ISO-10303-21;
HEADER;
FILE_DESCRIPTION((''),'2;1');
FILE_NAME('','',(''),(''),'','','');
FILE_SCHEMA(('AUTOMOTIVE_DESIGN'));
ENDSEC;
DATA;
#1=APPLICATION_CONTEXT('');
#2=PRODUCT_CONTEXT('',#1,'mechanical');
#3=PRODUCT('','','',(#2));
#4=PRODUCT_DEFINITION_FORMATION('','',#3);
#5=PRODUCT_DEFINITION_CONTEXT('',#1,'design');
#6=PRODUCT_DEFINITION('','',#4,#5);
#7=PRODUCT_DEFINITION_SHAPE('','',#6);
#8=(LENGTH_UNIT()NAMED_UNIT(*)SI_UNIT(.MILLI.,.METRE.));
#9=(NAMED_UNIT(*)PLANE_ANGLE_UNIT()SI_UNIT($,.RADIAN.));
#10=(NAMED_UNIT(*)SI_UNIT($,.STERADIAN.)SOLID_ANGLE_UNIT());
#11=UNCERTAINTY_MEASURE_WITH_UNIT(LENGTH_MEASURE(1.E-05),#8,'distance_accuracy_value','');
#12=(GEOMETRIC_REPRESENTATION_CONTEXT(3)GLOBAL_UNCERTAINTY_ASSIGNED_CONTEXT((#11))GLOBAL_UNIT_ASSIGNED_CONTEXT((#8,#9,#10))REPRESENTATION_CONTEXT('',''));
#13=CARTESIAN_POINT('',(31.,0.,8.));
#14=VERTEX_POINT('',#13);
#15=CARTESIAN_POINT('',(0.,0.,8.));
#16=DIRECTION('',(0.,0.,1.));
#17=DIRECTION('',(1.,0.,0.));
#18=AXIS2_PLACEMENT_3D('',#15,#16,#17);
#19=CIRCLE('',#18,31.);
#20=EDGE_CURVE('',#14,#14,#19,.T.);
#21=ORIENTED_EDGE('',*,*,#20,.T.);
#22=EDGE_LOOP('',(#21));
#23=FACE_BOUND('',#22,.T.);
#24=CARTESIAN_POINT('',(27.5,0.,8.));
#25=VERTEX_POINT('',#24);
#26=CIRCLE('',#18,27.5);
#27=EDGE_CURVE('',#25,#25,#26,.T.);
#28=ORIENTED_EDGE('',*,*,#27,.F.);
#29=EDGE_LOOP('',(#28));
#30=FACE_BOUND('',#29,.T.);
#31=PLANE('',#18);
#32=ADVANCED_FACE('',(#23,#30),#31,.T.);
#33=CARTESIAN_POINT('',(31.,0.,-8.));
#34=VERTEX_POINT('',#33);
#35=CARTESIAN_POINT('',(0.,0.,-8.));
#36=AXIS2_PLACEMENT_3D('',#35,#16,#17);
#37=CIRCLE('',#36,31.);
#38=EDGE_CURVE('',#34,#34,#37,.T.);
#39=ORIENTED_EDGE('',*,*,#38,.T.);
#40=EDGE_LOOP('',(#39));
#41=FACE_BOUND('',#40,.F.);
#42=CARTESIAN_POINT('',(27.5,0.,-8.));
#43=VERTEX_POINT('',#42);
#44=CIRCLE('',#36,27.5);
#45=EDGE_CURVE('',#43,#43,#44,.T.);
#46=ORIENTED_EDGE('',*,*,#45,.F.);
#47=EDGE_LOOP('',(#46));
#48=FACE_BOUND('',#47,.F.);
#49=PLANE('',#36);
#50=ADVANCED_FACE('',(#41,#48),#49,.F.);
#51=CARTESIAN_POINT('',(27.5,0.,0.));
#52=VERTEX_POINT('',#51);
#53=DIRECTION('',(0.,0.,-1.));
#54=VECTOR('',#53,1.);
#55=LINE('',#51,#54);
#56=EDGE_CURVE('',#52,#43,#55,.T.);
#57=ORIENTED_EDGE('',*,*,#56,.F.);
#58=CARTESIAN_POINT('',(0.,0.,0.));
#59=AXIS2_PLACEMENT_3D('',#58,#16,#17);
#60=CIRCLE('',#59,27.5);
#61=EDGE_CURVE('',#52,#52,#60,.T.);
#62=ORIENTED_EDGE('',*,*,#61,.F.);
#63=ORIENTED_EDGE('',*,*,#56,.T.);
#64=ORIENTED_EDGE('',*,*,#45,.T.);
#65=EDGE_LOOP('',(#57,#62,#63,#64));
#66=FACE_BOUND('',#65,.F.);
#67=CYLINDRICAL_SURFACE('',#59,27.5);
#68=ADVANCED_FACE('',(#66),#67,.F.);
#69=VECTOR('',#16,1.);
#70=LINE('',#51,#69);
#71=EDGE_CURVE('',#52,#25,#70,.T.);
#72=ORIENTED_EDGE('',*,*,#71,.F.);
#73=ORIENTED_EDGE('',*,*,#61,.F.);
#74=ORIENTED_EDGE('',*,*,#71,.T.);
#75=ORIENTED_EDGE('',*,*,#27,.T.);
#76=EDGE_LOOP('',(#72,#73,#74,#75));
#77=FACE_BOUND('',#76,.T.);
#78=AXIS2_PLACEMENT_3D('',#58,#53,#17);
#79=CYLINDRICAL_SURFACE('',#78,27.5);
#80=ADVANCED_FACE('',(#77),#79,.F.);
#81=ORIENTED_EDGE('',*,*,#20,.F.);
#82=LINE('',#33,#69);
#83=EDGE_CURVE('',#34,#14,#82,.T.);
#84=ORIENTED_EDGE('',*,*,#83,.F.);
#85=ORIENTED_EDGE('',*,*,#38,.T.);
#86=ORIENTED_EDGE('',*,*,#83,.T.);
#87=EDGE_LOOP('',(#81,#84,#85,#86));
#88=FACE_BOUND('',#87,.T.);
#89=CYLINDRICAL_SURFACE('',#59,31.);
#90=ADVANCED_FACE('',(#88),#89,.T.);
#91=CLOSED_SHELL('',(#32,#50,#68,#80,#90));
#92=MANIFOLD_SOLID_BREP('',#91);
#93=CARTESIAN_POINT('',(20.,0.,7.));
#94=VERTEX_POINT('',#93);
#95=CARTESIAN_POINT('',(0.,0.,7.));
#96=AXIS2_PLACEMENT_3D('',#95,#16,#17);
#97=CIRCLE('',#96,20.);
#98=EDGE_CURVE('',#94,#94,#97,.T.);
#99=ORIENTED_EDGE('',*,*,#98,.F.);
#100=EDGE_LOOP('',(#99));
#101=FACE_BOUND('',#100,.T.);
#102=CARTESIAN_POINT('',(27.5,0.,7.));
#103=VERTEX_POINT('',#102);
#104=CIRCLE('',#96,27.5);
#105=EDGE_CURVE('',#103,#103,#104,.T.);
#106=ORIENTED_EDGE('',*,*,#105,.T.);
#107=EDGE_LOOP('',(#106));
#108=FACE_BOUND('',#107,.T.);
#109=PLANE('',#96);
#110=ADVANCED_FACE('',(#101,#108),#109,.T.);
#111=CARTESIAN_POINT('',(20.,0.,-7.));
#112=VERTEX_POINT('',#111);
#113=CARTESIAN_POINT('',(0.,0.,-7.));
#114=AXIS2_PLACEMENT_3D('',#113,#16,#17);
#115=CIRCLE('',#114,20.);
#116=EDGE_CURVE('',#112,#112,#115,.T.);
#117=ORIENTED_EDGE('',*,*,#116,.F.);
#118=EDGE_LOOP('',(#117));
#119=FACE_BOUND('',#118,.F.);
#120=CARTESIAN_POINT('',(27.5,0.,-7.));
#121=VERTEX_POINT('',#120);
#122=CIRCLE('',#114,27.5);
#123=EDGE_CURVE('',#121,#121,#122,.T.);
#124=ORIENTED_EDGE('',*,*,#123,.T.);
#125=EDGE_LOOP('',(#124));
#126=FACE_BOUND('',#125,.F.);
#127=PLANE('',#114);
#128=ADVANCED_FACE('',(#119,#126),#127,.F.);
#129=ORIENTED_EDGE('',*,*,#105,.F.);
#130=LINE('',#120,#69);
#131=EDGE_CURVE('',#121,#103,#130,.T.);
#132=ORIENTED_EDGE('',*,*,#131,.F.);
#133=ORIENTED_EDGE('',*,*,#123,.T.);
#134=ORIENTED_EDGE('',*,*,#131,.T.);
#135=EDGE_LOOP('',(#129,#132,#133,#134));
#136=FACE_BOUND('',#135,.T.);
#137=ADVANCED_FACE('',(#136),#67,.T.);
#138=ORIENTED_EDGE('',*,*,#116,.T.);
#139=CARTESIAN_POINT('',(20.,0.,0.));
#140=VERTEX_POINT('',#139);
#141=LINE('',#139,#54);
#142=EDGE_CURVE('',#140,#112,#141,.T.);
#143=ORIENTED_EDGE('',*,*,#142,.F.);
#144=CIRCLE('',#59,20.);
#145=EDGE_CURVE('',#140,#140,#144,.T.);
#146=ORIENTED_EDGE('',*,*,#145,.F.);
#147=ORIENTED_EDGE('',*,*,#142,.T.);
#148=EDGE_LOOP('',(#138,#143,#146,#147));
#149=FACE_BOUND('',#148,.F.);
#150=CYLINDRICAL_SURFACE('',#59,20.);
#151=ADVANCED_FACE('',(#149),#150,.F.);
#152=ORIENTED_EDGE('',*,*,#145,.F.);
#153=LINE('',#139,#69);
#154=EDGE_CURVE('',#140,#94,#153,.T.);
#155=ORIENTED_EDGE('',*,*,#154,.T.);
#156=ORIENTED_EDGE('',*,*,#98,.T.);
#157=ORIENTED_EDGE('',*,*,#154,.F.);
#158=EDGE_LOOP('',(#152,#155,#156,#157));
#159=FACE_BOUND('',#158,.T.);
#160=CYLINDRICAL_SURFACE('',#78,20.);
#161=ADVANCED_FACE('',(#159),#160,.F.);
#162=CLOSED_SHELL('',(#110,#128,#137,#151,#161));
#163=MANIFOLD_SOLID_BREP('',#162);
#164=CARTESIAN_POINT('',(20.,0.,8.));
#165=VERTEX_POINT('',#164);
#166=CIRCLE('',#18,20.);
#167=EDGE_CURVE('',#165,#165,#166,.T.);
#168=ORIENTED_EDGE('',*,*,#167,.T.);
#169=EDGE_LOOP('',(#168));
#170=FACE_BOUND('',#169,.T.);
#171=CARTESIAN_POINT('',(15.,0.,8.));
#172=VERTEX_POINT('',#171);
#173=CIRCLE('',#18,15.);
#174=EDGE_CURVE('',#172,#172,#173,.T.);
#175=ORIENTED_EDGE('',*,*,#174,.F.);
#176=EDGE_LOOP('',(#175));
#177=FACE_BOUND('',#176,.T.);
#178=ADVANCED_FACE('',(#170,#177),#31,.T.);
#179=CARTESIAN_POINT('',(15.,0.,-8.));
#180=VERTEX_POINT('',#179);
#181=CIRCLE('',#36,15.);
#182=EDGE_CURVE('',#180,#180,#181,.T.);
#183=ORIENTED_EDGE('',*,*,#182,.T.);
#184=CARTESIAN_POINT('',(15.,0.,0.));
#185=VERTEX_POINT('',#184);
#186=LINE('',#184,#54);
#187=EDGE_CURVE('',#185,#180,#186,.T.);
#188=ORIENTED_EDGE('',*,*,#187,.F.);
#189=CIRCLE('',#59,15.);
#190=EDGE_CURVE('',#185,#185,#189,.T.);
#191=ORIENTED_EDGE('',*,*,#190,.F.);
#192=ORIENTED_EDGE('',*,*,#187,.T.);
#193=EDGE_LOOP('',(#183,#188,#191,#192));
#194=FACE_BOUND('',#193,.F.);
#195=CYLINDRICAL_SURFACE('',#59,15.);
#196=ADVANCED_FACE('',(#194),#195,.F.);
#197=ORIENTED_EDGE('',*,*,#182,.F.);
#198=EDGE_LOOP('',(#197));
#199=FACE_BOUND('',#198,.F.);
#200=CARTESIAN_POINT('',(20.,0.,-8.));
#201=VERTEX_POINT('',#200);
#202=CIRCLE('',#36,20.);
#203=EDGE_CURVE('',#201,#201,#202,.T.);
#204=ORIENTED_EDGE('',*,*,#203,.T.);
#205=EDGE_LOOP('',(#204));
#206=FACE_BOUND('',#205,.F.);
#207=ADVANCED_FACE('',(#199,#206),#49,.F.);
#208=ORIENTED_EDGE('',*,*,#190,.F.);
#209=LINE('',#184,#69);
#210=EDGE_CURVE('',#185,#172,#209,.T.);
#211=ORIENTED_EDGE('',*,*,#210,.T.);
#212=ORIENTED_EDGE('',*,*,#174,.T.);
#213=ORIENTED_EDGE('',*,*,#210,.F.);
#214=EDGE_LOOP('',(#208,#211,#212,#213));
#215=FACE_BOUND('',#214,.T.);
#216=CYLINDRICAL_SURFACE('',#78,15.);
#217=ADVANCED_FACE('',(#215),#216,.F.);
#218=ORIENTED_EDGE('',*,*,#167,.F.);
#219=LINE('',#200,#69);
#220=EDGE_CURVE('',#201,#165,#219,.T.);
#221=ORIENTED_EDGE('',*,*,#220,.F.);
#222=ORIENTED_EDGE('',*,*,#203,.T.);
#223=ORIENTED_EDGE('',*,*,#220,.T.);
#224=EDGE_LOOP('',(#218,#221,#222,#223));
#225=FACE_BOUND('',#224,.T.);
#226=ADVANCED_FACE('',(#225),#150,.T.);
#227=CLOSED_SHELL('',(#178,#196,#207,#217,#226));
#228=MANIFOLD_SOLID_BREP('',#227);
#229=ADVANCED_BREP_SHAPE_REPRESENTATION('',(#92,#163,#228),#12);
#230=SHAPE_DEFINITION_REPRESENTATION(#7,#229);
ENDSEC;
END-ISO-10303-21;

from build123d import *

# Parameters (mm, degrees)
F0_R          = 20
F0_R_2        = 15
F1_DEPTH      = 8
F1_DEPTH_BACK = 8
F0_R_3        = 31
F0_R_4        = 27.5
F2_DEPTH      = 7
F2_DEPTH_BACK = 7


with BuildPart() as f1:
    # F0 (on Top) → F1 (new body, two sides)
    with BuildSketch(Plane.XY) as f1_sk:
        Circle(F0_R)
        Circle(F0_R_2, mode=Mode.SUBTRACT)
    extrude(amount=F1_DEPTH)
    extrude(f1_sk.sketch, amount=-F1_DEPTH_BACK)


with BuildPart() as f1b:
    # F0 (on Top) → F1, piece 2 (new body, two sides)
    with BuildSketch(Plane.XY) as f1_2_sk:
        Circle(F0_R_3)
        Circle(F0_R_4, mode=Mode.SUBTRACT)
    extrude(amount=F1_DEPTH)
    extrude(f1_2_sk.sketch, amount=-F1_DEPTH_BACK)


with BuildPart() as f2:
    # F0 (on Top) → F2 (new body, two sides)
    with BuildSketch(Plane.XY) as f2_sk:
        Circle(F0_R_4)
        Circle(F0_R, mode=Mode.SUBTRACT)
    extrude(amount=F2_DEPTH)
    extrude(f2_sk.sketch, amount=-F2_DEPTH_BACK)


solid = Compound([f1.part, f1b.part, f2.part])
